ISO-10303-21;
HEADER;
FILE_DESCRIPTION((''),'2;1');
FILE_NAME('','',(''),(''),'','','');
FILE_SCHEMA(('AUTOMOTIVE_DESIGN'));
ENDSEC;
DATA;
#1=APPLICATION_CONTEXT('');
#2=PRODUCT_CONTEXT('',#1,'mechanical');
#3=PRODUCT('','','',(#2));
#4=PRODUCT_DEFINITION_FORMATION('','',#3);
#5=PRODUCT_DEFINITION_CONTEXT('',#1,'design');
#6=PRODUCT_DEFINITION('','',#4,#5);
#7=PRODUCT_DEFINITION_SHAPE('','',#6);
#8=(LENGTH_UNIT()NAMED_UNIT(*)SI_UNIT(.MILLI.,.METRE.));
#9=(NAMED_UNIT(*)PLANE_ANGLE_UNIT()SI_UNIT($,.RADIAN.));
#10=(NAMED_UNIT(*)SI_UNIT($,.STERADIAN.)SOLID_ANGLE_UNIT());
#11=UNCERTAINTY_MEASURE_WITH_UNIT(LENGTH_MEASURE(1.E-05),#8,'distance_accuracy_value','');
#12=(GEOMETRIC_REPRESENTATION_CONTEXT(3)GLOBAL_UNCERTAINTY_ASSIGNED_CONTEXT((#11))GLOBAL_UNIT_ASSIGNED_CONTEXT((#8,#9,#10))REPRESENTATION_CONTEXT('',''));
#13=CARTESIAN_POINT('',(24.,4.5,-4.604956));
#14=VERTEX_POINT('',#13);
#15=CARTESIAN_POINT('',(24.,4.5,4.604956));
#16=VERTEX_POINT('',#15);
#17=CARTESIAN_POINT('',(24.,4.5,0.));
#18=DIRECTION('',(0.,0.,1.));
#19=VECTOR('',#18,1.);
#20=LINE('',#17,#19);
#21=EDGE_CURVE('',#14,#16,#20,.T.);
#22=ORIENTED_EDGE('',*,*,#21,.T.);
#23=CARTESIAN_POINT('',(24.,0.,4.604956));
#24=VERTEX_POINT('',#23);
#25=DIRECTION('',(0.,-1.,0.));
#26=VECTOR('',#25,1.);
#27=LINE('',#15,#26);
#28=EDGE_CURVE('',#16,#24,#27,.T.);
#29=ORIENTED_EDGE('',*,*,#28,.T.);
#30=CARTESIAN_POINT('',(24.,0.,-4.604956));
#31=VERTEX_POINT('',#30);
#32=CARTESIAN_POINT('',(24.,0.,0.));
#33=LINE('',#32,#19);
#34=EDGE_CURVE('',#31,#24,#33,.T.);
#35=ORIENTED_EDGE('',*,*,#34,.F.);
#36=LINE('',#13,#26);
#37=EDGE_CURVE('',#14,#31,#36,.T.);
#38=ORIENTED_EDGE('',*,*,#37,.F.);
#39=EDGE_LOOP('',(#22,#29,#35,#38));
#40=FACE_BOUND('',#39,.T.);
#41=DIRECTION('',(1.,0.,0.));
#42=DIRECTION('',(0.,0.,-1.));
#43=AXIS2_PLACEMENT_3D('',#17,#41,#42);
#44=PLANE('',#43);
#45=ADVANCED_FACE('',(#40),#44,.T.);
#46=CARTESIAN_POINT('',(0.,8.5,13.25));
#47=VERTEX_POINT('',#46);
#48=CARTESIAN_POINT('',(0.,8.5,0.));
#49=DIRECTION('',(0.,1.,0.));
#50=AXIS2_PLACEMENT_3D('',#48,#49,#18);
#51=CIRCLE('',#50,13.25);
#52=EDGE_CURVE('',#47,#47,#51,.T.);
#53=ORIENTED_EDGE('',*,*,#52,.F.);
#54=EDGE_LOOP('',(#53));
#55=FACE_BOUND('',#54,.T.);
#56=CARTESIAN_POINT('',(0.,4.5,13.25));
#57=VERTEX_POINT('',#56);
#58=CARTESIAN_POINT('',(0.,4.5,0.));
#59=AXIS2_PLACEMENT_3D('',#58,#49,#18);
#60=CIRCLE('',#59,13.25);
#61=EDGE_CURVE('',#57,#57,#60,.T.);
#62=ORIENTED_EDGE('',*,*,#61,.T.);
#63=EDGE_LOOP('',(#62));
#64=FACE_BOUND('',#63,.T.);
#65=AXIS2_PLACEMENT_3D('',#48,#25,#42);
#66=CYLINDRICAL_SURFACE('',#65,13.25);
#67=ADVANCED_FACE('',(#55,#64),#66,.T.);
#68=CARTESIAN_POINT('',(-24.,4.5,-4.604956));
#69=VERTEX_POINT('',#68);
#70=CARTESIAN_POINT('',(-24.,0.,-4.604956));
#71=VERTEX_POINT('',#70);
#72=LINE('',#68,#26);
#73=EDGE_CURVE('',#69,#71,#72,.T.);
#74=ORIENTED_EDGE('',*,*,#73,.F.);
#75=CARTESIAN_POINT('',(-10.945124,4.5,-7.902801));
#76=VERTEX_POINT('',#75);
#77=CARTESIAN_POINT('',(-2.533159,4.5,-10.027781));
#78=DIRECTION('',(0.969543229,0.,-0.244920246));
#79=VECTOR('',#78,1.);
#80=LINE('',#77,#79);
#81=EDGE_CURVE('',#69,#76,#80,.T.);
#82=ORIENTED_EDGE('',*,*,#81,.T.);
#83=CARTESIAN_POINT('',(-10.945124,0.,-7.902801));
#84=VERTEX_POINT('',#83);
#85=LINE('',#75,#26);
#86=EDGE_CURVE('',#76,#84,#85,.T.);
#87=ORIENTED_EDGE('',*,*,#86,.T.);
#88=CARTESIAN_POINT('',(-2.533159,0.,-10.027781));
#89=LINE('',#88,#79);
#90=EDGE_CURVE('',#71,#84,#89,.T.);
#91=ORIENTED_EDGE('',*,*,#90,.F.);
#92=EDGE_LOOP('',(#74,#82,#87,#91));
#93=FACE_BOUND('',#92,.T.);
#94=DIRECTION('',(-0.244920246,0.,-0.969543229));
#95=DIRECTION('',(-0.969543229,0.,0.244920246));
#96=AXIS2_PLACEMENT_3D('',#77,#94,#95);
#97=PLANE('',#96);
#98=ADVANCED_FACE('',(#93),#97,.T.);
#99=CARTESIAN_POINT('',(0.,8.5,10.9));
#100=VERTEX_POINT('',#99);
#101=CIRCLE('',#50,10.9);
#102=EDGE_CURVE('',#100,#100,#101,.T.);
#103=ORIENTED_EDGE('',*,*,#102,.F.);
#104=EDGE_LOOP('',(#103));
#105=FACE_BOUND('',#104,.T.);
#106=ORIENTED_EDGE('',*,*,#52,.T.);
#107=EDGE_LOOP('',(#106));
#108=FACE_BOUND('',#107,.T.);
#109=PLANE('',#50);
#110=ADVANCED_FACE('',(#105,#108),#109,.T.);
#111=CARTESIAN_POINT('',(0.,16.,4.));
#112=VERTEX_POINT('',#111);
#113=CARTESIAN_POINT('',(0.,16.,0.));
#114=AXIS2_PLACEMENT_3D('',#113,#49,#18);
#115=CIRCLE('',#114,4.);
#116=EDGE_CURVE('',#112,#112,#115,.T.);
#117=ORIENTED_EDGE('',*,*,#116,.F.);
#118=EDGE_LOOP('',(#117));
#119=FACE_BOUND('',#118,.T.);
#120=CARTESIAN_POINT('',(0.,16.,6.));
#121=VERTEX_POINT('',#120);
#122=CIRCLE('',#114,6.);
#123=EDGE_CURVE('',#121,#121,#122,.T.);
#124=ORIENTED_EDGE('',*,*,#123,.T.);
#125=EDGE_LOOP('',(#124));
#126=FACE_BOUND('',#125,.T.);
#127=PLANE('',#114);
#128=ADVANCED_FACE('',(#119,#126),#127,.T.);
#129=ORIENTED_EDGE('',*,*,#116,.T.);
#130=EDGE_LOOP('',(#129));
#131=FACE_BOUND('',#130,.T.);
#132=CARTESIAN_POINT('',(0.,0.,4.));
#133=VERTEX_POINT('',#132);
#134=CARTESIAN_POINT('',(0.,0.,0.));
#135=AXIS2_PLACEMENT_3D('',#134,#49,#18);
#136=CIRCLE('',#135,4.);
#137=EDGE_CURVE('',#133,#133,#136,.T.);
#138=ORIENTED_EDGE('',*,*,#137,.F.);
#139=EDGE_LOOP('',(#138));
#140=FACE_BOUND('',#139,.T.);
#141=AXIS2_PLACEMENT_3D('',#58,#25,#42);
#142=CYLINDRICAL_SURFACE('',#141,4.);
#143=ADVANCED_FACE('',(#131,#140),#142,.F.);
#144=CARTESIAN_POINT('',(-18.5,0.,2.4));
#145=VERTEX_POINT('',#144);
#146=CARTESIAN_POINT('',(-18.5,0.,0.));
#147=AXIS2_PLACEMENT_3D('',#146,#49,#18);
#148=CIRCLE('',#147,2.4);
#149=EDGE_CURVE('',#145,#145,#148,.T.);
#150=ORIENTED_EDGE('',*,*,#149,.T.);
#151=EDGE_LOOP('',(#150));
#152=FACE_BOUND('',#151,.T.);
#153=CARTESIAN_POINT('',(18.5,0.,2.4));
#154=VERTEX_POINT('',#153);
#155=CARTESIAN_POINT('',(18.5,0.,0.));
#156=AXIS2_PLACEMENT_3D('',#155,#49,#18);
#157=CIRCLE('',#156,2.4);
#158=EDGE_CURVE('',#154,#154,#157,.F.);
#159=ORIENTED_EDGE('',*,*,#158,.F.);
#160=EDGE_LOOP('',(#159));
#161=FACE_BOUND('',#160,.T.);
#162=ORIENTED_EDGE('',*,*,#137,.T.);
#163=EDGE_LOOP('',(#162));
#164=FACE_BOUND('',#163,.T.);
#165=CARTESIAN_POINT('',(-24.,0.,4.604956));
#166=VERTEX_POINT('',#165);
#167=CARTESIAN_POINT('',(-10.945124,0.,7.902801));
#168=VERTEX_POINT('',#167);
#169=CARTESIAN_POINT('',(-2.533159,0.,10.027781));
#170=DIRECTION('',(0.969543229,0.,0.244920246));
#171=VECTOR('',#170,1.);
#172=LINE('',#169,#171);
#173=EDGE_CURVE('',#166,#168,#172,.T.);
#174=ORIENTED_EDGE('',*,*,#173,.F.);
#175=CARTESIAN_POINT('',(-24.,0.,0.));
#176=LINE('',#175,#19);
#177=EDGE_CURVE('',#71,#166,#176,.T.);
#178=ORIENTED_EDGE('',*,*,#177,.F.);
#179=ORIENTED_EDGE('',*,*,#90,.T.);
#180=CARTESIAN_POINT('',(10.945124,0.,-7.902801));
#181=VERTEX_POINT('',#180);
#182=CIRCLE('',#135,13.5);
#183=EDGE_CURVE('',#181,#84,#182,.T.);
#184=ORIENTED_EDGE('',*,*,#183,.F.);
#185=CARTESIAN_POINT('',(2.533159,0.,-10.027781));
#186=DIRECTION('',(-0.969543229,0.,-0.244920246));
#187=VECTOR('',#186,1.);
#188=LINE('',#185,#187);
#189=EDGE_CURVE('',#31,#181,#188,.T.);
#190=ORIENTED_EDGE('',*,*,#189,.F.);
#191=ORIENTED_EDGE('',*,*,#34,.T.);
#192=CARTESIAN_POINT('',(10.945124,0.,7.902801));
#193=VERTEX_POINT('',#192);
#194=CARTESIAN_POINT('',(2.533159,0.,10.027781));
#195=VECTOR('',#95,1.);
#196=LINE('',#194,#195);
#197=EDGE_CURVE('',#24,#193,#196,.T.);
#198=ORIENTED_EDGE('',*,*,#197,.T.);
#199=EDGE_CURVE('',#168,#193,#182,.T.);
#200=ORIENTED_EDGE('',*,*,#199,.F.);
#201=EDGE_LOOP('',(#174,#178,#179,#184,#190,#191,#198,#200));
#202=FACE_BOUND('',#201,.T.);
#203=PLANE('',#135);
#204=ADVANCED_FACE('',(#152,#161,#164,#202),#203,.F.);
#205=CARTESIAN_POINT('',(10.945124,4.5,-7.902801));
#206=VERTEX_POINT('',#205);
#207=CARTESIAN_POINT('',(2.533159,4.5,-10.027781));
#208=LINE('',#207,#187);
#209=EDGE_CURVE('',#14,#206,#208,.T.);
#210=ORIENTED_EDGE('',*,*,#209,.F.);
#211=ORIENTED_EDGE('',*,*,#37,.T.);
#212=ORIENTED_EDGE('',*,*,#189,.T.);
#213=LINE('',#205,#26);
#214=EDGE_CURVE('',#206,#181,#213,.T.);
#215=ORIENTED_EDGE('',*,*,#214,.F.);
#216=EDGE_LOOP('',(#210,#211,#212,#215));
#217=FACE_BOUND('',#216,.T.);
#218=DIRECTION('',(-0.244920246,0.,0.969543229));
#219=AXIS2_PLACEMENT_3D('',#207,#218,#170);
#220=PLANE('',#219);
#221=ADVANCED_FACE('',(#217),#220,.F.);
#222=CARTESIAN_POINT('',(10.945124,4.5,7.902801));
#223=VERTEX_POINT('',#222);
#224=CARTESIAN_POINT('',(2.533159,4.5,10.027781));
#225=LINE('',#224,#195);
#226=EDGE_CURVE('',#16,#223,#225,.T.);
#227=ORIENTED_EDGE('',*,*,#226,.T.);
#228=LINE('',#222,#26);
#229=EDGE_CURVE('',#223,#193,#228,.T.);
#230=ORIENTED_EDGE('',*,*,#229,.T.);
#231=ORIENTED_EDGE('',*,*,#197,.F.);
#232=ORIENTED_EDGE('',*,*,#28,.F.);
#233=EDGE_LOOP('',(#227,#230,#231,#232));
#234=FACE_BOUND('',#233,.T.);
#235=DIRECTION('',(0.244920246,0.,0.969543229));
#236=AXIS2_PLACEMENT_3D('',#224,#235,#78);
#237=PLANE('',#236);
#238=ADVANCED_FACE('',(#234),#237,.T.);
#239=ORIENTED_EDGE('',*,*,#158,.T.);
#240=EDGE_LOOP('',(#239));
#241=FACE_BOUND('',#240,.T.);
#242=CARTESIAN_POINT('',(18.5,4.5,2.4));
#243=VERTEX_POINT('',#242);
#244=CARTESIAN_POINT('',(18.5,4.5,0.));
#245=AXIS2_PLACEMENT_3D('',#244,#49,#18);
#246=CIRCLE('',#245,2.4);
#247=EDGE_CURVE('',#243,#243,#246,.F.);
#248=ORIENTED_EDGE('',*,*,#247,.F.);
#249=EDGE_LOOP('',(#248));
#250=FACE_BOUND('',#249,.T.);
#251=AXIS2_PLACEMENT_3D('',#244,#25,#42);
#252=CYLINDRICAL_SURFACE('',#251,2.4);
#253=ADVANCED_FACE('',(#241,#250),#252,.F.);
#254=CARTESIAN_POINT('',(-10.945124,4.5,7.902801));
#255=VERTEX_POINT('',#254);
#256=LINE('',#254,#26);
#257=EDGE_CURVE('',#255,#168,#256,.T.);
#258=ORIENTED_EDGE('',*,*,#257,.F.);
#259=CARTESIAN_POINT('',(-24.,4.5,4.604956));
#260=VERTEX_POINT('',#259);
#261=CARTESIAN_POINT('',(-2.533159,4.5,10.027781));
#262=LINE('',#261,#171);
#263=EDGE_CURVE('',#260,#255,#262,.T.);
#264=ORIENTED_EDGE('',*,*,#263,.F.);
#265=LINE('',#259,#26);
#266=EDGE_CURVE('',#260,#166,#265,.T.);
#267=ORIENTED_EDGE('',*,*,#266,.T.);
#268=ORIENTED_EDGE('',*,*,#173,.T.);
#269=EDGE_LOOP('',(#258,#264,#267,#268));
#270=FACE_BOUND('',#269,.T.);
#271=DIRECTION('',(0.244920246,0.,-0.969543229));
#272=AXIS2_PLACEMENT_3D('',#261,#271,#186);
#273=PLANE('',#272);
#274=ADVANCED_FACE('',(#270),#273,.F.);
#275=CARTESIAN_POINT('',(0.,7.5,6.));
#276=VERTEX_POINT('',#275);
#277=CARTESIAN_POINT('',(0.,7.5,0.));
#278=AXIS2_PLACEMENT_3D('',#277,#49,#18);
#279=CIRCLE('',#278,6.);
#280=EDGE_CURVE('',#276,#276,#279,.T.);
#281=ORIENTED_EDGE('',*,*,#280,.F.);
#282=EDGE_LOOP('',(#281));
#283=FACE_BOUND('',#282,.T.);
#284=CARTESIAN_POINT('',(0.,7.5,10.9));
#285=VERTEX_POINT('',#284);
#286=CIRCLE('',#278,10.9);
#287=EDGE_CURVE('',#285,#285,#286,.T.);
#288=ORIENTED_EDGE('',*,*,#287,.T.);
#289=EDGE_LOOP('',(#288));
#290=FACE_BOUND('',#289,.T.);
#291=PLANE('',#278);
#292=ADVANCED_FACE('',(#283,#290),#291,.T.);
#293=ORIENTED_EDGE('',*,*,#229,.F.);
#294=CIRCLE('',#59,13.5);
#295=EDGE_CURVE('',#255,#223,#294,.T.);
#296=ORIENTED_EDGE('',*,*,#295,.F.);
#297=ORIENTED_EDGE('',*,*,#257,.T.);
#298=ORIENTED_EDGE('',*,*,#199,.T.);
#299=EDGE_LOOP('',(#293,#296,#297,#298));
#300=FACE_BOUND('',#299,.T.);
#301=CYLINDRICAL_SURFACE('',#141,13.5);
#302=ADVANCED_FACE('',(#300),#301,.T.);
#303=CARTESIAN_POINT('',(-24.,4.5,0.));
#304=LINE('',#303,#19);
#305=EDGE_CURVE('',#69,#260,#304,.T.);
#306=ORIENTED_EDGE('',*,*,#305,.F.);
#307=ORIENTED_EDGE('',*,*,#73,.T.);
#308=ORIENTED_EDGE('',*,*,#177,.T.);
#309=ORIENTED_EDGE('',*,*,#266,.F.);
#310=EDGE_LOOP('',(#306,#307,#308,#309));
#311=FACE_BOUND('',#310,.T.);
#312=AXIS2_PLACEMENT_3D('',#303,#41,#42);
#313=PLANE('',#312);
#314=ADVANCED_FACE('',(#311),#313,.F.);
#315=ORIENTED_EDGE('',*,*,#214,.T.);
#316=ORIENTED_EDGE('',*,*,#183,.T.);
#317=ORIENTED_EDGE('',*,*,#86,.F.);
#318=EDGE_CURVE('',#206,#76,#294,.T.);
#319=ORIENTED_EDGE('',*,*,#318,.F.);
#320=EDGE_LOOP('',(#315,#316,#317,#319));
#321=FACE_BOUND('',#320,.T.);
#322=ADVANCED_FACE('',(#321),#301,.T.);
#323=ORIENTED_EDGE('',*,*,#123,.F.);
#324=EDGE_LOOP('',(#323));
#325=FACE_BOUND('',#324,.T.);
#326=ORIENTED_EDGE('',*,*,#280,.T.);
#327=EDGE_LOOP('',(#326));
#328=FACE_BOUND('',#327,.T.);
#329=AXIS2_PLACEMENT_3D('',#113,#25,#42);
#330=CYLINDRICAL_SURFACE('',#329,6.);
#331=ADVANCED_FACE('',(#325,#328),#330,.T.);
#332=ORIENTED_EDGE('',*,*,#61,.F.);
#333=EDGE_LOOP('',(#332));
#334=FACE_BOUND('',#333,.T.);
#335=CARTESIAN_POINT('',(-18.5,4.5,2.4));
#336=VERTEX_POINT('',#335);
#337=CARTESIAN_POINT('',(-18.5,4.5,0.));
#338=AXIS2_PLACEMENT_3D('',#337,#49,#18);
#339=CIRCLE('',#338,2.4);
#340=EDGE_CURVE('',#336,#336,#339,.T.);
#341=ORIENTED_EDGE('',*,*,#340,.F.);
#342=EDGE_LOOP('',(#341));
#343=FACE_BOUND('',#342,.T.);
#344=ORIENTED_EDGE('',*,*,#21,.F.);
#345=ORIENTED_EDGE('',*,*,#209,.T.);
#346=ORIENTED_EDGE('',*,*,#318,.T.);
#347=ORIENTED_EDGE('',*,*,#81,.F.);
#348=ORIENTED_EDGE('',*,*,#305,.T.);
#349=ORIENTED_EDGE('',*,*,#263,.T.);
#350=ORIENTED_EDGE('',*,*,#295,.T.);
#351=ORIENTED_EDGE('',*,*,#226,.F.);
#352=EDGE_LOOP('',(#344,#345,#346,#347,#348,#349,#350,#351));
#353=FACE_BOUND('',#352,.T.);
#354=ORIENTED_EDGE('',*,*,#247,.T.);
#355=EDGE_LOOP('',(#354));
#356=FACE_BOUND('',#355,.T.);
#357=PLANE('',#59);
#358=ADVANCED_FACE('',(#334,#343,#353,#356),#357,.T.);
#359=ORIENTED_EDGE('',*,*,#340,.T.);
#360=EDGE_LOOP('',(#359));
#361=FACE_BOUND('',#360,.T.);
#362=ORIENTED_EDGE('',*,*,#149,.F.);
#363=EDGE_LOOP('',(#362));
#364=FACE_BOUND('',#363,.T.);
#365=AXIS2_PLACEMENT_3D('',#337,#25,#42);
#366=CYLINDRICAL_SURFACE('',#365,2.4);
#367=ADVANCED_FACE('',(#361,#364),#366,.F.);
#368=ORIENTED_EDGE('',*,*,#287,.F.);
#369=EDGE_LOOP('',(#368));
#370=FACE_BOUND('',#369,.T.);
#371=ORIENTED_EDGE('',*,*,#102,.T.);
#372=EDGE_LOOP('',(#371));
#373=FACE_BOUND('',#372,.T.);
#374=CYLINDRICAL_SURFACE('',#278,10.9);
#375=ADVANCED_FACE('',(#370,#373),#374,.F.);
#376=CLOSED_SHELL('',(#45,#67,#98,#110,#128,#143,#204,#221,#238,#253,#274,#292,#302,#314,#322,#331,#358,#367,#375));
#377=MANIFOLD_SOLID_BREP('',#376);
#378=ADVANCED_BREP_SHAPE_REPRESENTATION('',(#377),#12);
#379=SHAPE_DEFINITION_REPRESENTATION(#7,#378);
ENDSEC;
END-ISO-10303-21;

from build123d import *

# Parameters (mm, degrees)
SKETCH_1_R          = 2.4
SKETCH_1_R_2        = 13.5
SKETCH_1_R_3        = 4
EXTRUDE_1_DEPTH     = 4.5
SKETCH_2_R          = 13.25
SKETCH_2_R_2        = 4
EXTRUDE_2_DEPTH     = 4
SKETCH_3_R          = 6
SKETCH_3_R_2        = 4
EXTRUDE_3_DEPTH     = 7.5
CUT_EXTRUDE_START   = -1
SKETCH_4_R          = 10.9
SKETCH_4_R_2        = 6
CUT_EXTRUDE_1_DEPTH = 1


with BuildPart() as part:
    # 草图1 → 凸台-拉伸1 (new body)
    # profile 1 of 3: a face of its own
    with BuildSketch(Plane(origin=(0, 0, 0), x_dir=(1, 0, 0), z_dir=(0, 1, 0))):
        with BuildLine():
            Line((-10.945124025, 7.902800774), (-24, 4.60495562))
            Line((-24, 4.60495562), (-24, -4.60495562))
            Line((-24, -4.60495562), (-10.945124025, -7.902800774))
            ThreePointArc((-10.945124025, -7.902800774), (-13.5, 0), (-10.945124025, 7.902800774))
        make_face()
        with Locations(Location((-18.5, 0, 0), (0, 0, 270))):
            Circle(SKETCH_1_R, mode=Mode.SUBTRACT)
    # profile 2 of 3: a face of its own
    with BuildSketch(Plane(origin=(0, 0, 0), x_dir=(1, 0, 0), z_dir=(0, 1, 0))):
        Circle(SKETCH_1_R_2)
        with Locations(Location((0, 0, 0), (0, 0, 270))):
            Circle(SKETCH_1_R_3, mode=Mode.SUBTRACT)
    # profile 3 of 3: a face of its own
    with BuildSketch(Plane(origin=(0, 0, 0), x_dir=(1, 0, 0), z_dir=(0, 1, 0))):
        with BuildLine():
            Line((24, 4.60495562), (10.945124025, 7.902800774))
            ThreePointArc((10.945124025, 7.902800774), (12.845411133, 4.152759665), (13.5, 0))
            ThreePointArc((13.5, 0), (12.845411133, -4.152759665), (10.945124025, -7.902800774))
            Line((10.945124025, -7.902800774), (24, -4.60495562))
            Line((24, -4.60495562), (24, 4.60495562))
        make_face()
        with Locations(Location((18.5, 0, 0), (0, 0, 270))):
            Circle(SKETCH_1_R, mode=Mode.SUBTRACT)
    extrude(amount=EXTRUDE_1_DEPTH)

    # 草图2 → 凸台-拉伸2 (add)
    with BuildSketch(Plane(origin=(0, 4.5, 0), x_dir=(1, 0, 0), z_dir=(0, 1, 0))):
        with Locations(Location((0, 0, 0), (0, 0, 270))):
            Circle(SKETCH_2_R)
        with Locations(Location((0, 0, 0), (0, 0, 270))):
            Circle(SKETCH_2_R_2, mode=Mode.SUBTRACT)
    extrude(amount=EXTRUDE_2_DEPTH)

    # 草图3 → 凸台-拉伸3 (add)
    with BuildSketch(Plane(origin=(0, 8.5, 0), x_dir=(1, 0, 0), z_dir=(0, 1, 0))):
        with Locations(Location((0, 0, 0), (0, 0, 270))):
            Circle(SKETCH_3_R)
        with Locations(Location((0, 0, 0), (0, 0, 270))):
            Circle(SKETCH_3_R_2, mode=Mode.SUBTRACT)
    extrude(amount=EXTRUDE_3_DEPTH)

    # 草图4 → 切除-拉伸1 (cut)
    with BuildSketch(Plane(origin=(0, 8.5, 0), x_dir=(1, 0, 0), z_dir=(0, 1, 0)).offset(CUT_EXTRUDE_START)):
        with Locations(Location((0, 0, 0), (0, 0, 270))):
            Circle(SKETCH_4_R)
        with Locations(Location((0, 0, 0), (0, 0, 270))):
            Circle(SKETCH_4_R_2, mode=Mode.SUBTRACT)
    extrude(amount=CUT_EXTRUDE_1_DEPTH, mode=Mode.SUBTRACT)


solid = part.part
